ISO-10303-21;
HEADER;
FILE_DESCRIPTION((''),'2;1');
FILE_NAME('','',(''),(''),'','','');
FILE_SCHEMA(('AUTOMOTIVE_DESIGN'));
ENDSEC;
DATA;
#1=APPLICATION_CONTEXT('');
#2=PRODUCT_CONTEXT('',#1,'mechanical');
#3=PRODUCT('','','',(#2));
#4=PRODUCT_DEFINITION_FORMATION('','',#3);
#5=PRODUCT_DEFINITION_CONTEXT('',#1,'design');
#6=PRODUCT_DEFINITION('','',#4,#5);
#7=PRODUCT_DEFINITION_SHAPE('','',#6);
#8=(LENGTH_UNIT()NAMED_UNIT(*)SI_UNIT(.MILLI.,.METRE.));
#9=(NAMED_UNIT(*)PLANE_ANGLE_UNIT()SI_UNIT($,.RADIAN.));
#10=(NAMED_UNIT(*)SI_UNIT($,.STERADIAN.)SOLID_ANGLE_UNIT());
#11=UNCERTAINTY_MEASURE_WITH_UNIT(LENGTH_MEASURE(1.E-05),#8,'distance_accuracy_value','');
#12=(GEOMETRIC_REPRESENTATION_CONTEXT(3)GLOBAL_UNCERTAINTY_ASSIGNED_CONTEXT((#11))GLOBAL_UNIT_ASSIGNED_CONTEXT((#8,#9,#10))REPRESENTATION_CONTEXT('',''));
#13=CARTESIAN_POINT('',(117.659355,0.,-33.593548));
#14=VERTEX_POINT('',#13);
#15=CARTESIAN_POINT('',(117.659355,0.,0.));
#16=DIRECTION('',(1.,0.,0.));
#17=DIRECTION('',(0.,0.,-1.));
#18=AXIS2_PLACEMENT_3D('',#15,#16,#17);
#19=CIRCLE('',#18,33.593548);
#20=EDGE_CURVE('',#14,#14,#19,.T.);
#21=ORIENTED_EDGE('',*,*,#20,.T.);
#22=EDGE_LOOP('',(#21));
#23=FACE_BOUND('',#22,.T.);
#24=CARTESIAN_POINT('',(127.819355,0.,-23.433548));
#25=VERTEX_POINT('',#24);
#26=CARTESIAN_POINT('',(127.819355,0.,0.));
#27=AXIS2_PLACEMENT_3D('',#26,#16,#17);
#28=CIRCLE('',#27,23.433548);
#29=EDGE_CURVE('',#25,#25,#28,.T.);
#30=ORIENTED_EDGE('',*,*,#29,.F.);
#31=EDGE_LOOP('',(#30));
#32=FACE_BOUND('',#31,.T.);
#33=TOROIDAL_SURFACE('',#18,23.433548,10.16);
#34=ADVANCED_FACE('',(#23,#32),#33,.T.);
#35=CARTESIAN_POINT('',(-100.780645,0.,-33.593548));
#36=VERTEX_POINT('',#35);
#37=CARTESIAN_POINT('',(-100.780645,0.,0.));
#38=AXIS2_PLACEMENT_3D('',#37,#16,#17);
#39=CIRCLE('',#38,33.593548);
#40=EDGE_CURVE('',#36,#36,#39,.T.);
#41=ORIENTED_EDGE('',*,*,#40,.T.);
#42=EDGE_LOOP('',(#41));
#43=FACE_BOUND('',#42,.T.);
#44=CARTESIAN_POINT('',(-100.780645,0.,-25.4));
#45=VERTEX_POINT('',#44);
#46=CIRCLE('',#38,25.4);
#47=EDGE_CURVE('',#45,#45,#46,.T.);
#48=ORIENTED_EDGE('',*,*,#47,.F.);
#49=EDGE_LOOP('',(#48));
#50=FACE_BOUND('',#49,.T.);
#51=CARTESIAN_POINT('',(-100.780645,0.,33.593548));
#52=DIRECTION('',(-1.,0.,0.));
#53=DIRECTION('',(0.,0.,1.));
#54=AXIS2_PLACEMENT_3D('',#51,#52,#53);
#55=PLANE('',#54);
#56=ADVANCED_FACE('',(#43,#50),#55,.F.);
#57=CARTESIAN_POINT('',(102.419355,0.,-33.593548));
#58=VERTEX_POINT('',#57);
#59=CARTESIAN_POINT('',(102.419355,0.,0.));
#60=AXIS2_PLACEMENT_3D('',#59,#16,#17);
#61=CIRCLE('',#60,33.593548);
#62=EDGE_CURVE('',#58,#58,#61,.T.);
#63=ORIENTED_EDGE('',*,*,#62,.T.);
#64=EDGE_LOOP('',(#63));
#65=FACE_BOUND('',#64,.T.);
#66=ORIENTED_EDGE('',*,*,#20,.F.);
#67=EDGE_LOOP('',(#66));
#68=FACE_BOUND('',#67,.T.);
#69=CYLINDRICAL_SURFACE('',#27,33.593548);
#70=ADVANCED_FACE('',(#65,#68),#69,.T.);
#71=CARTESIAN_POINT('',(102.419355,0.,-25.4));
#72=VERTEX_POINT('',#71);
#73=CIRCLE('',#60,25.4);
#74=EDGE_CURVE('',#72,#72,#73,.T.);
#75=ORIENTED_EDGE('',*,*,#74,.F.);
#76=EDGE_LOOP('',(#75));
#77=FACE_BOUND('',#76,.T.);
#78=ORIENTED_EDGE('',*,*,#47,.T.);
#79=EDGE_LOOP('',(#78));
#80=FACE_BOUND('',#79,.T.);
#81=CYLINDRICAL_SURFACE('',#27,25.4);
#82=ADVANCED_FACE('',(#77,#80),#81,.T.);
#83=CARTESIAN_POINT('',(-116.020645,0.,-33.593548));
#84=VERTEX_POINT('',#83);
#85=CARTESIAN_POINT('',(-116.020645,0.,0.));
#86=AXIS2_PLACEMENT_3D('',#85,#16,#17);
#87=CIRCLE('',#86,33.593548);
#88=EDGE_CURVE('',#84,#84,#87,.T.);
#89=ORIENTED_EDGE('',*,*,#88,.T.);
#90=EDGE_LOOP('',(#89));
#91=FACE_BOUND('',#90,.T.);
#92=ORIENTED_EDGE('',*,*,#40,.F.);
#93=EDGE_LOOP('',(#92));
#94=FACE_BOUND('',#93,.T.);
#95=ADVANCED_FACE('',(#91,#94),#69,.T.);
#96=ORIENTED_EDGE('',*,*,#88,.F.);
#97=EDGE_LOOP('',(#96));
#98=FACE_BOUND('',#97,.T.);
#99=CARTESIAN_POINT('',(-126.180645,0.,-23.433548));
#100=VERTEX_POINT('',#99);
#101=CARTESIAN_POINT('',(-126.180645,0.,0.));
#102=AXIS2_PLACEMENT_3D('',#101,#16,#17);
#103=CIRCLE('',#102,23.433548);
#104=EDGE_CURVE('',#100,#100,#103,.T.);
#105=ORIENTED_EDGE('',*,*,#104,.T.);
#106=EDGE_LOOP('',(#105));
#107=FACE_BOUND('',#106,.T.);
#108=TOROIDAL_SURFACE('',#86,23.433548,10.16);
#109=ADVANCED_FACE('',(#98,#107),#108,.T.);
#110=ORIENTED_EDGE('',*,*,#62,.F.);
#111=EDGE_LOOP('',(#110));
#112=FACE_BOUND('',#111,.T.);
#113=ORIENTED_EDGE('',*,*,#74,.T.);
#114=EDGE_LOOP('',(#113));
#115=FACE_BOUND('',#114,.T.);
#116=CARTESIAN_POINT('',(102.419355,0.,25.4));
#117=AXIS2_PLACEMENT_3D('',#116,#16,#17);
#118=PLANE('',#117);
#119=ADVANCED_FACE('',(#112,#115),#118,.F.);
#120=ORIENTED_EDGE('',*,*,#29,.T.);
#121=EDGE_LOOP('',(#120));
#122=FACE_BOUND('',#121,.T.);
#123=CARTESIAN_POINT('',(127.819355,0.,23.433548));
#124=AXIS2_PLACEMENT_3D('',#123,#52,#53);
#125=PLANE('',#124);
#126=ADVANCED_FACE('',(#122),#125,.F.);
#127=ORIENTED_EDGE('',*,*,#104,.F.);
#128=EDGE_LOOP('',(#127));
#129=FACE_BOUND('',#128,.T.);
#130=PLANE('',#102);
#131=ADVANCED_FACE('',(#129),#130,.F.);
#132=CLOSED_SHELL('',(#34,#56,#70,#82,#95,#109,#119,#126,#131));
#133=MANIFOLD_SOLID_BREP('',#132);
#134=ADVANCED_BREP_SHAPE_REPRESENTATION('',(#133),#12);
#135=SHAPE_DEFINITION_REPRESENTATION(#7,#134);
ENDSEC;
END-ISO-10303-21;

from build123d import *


with BuildPart() as part:
    # Sketch1 → Revolve1 (revolve)
    with BuildSketch(Plane(origin=(0, 0, 0), x_dir=(1, 0, 0), z_dir=(0, 1, 0))):
        with BuildLine():
            Line((-100.780645161, -25.4), (102.419354839, -25.4))
            Line((102.419354839, -25.4), (102.419354839, -33.593548387))
            Line((102.419354839, -33.593548387), (117.659354839, -33.593548387))
            ThreePointArc((117.659354839, -33.593548387), (124.843559736, -30.617753284), (127.819354839, -23.433548387))
            Line((127.819354839, -23.433548387), (127.819354839, 0))
            Line((127.819354839, 0), (-126.180645161, 0))
            Line((-126.180645161, 0), (-126.180645161, -23.433548387))
            ThreePointArc((-126.180645161, -23.433548387), (-123.204850058, -30.617753284), (-116.020645161, -33.593548387))
            Line((-116.020645161, -33.593548387), (-100.780645161, -33.593548387))
            Line((-100.780645161, -33.593548387), (-100.780645161, -25.4))
        make_face()
    revolve(axis=Axis((127.819354839, 0, 0), (-1, 0, 0)))


solid = part.part
